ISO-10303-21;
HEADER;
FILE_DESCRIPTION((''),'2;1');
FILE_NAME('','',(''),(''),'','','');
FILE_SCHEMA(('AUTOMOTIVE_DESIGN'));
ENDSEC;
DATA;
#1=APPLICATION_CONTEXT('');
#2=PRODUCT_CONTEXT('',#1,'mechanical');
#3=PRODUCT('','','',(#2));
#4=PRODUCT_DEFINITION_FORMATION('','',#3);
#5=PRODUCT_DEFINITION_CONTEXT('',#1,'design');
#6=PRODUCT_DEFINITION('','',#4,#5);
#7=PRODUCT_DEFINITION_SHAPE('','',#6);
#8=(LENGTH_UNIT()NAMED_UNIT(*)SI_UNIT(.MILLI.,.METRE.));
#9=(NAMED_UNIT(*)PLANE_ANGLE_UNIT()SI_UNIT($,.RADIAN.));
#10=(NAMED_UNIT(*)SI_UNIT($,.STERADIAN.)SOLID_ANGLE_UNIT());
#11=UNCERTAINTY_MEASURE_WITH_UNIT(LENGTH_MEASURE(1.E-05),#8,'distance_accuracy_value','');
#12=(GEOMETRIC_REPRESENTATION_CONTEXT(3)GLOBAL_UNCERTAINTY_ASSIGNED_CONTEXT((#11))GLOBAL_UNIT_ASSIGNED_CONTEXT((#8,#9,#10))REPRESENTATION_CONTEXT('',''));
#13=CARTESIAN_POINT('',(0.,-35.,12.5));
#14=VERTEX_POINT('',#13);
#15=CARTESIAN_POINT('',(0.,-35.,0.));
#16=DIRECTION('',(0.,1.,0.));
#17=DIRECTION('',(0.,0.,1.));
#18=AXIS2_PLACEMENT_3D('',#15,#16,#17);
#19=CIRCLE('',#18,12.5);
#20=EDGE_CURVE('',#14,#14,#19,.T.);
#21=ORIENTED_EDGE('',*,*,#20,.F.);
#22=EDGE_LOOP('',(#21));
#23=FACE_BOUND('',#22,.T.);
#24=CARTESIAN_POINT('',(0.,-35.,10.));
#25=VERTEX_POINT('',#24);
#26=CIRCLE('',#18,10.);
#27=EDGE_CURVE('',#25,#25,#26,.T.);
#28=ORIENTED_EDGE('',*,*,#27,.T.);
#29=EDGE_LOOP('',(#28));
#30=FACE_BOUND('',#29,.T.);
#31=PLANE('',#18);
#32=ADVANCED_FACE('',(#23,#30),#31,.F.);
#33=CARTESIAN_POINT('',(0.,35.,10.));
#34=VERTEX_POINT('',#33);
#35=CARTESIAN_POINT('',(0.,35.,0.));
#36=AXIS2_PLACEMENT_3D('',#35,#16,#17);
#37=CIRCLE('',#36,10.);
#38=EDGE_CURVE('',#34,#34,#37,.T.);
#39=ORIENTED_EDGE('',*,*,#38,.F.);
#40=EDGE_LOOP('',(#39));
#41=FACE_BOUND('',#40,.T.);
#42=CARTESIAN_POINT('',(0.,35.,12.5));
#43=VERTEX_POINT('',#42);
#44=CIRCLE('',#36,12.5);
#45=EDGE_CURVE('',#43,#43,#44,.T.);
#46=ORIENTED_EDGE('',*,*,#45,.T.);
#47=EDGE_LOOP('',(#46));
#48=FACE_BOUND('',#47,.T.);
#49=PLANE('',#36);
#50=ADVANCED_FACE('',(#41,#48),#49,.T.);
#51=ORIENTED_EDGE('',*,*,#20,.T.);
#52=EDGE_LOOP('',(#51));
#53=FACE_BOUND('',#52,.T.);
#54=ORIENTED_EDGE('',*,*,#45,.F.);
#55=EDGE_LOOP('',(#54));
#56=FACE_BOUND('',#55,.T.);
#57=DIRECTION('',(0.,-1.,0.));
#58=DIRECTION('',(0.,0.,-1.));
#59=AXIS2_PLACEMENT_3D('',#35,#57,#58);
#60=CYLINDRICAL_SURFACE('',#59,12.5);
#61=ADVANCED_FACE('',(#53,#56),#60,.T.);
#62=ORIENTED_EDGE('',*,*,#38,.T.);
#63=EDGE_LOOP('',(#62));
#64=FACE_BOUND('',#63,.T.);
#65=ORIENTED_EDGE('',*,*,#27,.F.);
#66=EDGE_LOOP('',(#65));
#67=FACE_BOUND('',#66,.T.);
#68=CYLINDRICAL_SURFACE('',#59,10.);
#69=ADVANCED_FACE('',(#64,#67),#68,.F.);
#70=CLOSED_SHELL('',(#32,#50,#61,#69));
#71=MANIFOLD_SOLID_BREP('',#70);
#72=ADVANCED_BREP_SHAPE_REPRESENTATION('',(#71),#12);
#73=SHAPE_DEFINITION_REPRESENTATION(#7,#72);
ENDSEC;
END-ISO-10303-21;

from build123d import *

# Parameters (mm, degrees)
CROQUIS1_R              = 12.5
CROQUIS1_R_2            = 10
SALIENTE_EXTRUIR1_DEPTH = 35


with BuildPart() as part:
    # Croquis1 → Saliente-Extruir1 (new body, symmetric)
    with BuildSketch(Plane(origin=(0, 0, 0), x_dir=(1, 0, 0), z_dir=(0, 1, 0))):
        Circle(CROQUIS1_R)
        Circle(CROQUIS1_R_2, mode=Mode.SUBTRACT)
    extrude(amount=SALIENTE_EXTRUIR1_DEPTH, both=True)


solid = part.part
